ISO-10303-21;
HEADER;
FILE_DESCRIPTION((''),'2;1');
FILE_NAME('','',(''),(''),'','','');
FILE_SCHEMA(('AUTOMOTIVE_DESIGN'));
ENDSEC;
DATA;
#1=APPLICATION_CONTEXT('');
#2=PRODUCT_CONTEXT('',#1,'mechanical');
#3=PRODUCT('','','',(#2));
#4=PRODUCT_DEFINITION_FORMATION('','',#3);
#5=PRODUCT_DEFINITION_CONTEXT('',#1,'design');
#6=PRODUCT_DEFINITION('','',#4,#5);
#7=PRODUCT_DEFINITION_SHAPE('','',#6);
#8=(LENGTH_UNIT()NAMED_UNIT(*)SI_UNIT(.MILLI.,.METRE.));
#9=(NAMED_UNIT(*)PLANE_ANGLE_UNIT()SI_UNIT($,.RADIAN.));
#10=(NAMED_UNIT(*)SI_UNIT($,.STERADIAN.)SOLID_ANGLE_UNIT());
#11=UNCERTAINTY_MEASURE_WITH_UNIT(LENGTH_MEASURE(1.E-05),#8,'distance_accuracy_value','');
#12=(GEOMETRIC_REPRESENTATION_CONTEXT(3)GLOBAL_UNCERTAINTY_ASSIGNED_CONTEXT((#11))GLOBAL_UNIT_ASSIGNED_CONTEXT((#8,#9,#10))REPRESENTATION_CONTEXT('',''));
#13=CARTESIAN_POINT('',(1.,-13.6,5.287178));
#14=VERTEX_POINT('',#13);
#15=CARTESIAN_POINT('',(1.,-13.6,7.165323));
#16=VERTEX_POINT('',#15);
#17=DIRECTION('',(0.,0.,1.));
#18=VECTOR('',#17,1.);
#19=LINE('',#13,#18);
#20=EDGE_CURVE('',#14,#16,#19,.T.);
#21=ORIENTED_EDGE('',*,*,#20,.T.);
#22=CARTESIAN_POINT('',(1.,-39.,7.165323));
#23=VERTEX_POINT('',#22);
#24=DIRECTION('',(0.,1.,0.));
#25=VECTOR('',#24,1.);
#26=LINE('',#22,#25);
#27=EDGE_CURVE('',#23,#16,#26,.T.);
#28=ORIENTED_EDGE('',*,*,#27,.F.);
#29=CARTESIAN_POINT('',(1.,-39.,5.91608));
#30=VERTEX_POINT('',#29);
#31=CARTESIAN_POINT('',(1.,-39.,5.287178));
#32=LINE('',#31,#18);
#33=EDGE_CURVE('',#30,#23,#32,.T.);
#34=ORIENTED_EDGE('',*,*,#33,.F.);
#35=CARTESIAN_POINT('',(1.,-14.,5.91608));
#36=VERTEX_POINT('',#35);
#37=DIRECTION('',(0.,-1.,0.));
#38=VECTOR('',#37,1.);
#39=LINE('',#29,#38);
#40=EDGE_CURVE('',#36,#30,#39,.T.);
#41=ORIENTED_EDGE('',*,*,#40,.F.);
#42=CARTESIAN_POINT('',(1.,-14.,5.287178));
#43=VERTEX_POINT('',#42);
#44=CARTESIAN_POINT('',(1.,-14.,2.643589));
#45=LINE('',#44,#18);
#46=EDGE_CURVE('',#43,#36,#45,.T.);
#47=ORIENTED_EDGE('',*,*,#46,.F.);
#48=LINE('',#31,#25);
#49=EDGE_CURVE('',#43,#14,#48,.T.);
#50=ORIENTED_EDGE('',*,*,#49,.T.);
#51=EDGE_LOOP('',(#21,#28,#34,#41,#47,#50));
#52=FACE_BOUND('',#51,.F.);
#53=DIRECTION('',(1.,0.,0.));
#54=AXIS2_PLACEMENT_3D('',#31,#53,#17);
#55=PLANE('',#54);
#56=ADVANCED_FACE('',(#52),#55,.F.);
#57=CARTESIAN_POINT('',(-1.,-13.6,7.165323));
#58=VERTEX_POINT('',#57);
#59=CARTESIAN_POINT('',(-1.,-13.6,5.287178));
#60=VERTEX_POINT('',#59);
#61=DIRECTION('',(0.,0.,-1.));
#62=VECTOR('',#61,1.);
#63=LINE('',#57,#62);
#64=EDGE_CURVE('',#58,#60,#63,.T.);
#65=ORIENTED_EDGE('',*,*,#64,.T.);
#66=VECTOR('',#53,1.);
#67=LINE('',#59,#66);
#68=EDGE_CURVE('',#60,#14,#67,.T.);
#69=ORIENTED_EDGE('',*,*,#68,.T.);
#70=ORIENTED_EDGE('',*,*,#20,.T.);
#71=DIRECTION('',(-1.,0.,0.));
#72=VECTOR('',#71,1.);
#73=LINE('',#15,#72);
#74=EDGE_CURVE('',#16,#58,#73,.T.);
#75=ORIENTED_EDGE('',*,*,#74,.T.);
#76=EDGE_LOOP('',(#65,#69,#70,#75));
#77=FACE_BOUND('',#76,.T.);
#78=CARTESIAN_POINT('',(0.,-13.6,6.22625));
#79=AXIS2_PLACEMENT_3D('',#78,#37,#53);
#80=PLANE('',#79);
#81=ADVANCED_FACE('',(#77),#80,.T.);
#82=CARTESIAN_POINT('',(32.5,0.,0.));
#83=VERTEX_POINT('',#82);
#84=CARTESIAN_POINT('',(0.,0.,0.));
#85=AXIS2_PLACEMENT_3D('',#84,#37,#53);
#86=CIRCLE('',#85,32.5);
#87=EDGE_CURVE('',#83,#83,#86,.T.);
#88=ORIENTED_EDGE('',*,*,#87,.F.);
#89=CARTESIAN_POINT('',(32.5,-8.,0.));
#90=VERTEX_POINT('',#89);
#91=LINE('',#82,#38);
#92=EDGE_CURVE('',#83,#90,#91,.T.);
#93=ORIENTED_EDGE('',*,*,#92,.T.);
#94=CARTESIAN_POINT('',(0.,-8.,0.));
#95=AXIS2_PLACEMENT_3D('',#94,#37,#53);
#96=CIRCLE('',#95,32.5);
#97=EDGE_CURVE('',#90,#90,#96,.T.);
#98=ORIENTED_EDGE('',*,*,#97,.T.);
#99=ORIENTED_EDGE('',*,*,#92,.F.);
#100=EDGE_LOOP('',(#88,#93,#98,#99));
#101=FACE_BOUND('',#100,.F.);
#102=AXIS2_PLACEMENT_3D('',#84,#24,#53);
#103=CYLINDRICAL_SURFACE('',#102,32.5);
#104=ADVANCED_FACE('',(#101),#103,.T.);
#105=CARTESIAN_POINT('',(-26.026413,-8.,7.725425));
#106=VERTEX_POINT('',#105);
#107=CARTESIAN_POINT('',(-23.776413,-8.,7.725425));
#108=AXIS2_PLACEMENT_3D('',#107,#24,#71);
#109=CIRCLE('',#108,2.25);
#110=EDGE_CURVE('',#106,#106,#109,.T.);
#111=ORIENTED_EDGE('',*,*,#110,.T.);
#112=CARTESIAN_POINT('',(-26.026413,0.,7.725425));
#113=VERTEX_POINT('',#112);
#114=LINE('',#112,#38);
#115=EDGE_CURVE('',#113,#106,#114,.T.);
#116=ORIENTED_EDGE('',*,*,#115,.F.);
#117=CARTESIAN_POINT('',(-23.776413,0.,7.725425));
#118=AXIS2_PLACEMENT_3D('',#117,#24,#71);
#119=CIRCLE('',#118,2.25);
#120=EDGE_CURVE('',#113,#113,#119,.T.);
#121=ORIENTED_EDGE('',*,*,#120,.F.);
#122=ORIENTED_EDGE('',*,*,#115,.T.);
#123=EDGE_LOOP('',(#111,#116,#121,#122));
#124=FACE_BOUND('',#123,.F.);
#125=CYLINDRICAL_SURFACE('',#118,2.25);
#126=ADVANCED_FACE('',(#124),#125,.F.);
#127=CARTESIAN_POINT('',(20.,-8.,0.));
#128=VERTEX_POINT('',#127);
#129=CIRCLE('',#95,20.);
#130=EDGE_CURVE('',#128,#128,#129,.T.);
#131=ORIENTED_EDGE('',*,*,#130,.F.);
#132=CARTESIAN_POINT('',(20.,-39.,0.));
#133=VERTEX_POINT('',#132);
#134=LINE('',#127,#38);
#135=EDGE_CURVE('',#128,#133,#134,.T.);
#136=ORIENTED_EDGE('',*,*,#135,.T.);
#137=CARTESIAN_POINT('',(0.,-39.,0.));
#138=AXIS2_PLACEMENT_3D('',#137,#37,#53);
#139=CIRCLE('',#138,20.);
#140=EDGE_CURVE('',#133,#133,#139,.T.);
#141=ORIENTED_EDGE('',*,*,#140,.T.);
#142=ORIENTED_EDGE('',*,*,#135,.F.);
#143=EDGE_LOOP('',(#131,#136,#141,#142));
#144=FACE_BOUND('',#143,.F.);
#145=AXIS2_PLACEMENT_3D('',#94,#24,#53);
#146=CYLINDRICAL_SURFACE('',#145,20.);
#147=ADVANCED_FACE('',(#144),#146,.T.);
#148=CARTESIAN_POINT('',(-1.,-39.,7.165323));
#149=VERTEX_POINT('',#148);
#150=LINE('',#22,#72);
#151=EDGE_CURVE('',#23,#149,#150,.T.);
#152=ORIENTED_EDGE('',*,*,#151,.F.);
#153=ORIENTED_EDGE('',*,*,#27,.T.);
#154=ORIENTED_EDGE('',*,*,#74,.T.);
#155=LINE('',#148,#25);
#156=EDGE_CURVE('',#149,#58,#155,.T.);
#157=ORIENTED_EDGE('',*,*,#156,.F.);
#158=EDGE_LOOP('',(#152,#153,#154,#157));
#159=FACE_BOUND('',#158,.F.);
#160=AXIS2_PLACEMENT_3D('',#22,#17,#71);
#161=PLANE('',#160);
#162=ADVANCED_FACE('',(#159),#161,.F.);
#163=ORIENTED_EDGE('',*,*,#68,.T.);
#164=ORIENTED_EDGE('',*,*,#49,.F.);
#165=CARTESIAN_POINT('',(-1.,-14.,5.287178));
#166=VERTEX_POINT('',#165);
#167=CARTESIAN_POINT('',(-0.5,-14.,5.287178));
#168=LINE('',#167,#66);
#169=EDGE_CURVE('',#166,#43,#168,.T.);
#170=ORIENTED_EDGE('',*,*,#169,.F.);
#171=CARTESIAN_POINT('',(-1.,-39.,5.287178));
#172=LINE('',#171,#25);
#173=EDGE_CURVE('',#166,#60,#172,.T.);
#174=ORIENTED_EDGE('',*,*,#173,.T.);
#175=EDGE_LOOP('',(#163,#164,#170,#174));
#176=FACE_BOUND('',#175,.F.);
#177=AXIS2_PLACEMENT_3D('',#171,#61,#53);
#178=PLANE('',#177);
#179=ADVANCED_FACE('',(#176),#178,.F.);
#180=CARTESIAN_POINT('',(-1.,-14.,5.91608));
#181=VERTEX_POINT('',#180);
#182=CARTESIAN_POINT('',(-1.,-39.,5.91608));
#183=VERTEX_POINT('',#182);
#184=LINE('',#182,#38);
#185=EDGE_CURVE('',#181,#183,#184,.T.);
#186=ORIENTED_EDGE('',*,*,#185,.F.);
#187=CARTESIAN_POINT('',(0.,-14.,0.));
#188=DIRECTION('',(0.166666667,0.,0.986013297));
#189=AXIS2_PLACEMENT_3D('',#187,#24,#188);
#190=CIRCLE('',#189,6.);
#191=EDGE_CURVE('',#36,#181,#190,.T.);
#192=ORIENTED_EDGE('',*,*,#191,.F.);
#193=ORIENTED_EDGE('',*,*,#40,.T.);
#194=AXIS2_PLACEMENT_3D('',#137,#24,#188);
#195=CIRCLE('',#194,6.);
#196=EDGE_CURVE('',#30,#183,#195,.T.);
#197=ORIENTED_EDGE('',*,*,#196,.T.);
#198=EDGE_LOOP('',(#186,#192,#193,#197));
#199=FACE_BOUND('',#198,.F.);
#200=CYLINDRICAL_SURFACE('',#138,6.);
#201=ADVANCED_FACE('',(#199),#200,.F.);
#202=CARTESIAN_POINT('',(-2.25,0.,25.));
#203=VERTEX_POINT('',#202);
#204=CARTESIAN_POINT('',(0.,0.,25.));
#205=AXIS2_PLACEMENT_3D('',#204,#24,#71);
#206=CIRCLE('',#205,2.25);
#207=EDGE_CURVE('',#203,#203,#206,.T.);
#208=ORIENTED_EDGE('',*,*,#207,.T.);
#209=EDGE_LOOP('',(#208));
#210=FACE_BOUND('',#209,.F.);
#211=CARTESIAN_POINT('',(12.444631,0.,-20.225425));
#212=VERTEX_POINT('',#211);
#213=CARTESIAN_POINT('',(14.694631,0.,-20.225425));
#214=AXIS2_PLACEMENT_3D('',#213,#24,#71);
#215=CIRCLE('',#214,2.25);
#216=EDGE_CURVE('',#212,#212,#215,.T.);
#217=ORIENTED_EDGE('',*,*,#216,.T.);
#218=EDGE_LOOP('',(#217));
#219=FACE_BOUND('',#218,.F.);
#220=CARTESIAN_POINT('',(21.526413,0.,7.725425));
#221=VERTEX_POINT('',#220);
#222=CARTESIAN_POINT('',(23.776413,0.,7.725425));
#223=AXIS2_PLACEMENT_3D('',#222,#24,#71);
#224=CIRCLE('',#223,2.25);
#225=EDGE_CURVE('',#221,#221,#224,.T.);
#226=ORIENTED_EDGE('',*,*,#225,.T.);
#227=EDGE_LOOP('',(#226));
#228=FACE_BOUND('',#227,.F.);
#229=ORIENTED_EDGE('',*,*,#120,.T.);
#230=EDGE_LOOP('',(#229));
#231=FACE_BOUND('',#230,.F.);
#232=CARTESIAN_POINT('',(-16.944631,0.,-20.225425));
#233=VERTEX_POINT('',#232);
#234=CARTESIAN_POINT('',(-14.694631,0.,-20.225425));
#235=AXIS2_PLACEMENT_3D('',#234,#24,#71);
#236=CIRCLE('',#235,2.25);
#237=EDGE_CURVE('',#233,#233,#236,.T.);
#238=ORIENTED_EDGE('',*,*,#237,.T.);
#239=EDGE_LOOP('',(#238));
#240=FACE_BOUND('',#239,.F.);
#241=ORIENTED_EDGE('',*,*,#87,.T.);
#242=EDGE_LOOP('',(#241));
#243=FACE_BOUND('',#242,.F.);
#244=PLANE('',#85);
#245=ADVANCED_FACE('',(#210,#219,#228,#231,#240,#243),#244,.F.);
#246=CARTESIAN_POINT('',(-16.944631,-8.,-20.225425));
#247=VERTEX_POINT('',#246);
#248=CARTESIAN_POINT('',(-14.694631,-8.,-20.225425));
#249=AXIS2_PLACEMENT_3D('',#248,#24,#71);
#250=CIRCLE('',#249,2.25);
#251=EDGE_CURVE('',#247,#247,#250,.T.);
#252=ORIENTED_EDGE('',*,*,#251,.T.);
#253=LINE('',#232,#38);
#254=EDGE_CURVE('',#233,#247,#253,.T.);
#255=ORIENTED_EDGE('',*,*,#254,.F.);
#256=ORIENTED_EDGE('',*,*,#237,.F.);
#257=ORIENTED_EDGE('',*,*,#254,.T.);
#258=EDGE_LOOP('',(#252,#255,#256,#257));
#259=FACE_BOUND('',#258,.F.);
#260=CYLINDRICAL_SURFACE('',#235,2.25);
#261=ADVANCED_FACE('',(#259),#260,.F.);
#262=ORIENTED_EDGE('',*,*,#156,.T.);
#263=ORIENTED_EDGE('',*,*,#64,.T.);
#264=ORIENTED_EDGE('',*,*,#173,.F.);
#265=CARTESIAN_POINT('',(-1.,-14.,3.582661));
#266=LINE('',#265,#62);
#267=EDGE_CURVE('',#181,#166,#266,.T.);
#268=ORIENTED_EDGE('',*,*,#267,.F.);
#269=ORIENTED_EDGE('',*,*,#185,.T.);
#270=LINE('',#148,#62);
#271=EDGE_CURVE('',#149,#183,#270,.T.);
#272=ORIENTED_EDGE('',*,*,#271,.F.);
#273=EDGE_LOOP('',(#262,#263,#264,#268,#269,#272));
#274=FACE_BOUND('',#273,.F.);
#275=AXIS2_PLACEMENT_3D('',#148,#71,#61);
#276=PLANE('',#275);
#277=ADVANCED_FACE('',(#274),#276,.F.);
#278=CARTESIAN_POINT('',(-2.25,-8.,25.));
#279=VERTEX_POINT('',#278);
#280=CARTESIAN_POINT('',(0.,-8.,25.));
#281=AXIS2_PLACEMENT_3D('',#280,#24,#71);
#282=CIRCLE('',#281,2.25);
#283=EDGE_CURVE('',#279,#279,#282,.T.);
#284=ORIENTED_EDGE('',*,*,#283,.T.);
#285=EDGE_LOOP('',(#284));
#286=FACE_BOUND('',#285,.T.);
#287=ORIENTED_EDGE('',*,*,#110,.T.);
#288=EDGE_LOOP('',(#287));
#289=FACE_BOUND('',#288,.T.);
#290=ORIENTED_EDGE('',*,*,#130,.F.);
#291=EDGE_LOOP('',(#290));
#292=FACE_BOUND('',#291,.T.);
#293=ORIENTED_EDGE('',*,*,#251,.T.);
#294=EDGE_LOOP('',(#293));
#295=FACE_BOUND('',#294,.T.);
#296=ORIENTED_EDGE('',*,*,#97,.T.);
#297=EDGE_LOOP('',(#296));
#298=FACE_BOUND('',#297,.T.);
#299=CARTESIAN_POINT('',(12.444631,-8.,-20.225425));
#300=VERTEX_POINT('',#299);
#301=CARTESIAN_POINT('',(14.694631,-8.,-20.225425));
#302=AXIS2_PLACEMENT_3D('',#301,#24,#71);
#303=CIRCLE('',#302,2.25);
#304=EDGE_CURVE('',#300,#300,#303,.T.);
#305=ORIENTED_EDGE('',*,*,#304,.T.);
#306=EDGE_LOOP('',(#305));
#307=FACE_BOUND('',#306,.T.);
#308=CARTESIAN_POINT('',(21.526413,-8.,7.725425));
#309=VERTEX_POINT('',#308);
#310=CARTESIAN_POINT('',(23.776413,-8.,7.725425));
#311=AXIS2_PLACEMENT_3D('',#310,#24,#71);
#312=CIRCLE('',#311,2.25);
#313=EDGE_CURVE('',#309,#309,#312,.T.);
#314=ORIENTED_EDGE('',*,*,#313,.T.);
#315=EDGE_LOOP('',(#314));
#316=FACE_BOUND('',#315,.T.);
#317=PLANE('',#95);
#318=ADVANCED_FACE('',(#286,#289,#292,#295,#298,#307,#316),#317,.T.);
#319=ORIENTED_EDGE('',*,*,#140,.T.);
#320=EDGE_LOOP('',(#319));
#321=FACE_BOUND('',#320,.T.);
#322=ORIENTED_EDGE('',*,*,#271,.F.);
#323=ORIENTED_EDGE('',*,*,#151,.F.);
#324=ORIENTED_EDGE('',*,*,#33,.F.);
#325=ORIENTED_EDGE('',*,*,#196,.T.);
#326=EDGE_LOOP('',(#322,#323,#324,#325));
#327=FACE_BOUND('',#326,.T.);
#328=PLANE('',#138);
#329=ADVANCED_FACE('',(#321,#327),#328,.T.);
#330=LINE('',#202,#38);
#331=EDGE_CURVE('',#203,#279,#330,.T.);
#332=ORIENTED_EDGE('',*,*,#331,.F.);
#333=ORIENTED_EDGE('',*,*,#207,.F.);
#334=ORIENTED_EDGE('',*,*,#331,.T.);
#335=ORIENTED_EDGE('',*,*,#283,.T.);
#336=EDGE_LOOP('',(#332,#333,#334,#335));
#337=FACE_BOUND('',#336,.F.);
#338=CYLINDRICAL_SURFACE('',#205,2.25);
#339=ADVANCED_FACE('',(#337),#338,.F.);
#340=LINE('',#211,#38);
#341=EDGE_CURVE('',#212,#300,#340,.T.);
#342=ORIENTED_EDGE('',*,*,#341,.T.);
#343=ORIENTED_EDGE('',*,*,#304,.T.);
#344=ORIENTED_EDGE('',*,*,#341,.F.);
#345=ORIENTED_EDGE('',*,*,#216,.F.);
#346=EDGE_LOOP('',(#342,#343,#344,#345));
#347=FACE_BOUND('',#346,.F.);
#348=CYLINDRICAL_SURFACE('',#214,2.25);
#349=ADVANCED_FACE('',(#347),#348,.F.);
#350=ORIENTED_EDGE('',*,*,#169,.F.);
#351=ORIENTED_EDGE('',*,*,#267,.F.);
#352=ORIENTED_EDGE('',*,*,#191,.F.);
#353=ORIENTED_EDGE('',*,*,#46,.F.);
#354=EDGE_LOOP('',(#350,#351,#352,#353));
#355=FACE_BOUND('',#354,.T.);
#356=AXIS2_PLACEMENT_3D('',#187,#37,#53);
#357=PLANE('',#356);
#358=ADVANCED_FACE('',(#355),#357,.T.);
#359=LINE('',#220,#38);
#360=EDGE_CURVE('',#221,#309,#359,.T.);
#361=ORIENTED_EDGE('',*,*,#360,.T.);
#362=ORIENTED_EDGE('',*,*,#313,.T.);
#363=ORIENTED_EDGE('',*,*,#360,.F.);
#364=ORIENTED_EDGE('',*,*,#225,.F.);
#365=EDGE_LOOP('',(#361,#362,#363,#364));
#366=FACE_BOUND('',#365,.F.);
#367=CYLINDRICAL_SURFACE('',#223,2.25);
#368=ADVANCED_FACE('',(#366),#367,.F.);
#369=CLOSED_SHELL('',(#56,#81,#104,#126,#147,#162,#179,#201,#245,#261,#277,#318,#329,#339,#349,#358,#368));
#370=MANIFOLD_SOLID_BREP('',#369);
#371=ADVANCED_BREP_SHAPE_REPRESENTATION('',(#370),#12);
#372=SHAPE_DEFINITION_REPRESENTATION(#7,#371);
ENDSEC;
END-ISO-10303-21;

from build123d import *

# Parameters (mm, degrees)
F0_R     = 32.5
F1_DEPTH = 8
F2_R     = 20
F3_DEPTH = 31
F4_R     = 6
F5_DEPTH = 25
F7_DEPTH = 25.4
F8_R     = 2.25
F9_DEPTH = 8


with BuildPart() as f1:
    # F0 (on Front) → F1 (new body)
    with BuildSketch(Plane.XZ):
        Circle(F0_R)
    extrude(amount=F1_DEPTH)

    # F2 (on face) → F3 (join)
    with BuildSketch(Plane.XZ.offset(8)):
        Circle(F2_R)
    extrude(amount=F3_DEPTH)

    # F4 (on face) → F5 (cut)
    with BuildSketch(Plane.XZ.offset(39)):
        Circle(F4_R)
    extrude(amount=-F5_DEPTH, mode=Mode.SUBTRACT)

    # F6 (on face) → F7 (cut)
    with BuildSketch(Plane.XZ.offset(39)):
        Polygon((-1, 5.287178), (0, 5.287178), (1, 5.287178), (1, 7.165323), (-1, 7.165323), align=None)
    extrude(amount=-F7_DEPTH, mode=Mode.SUBTRACT)

    # F8 (on face) → F9 (cut, through all)
    with BuildSketch(Plane(origin=(0, 0, 0), x_dir=(-1, 0, 0), z_dir=(0, 1, 0))):
        with Locations((0, 25)):
            Circle(F8_R)
        with Locations((-23.776413, 7.725425)):
            Circle(F8_R)
        with Locations((-14.694631, -20.225425)):
            Circle(F8_R)
        with Locations((14.694631, -20.225425)):
            Circle(F8_R)
        with Locations((23.776413, 7.725425)):
            Circle(F8_R)
    extrude(amount=-F9_DEPTH, mode=Mode.SUBTRACT)


solid = f1.part
